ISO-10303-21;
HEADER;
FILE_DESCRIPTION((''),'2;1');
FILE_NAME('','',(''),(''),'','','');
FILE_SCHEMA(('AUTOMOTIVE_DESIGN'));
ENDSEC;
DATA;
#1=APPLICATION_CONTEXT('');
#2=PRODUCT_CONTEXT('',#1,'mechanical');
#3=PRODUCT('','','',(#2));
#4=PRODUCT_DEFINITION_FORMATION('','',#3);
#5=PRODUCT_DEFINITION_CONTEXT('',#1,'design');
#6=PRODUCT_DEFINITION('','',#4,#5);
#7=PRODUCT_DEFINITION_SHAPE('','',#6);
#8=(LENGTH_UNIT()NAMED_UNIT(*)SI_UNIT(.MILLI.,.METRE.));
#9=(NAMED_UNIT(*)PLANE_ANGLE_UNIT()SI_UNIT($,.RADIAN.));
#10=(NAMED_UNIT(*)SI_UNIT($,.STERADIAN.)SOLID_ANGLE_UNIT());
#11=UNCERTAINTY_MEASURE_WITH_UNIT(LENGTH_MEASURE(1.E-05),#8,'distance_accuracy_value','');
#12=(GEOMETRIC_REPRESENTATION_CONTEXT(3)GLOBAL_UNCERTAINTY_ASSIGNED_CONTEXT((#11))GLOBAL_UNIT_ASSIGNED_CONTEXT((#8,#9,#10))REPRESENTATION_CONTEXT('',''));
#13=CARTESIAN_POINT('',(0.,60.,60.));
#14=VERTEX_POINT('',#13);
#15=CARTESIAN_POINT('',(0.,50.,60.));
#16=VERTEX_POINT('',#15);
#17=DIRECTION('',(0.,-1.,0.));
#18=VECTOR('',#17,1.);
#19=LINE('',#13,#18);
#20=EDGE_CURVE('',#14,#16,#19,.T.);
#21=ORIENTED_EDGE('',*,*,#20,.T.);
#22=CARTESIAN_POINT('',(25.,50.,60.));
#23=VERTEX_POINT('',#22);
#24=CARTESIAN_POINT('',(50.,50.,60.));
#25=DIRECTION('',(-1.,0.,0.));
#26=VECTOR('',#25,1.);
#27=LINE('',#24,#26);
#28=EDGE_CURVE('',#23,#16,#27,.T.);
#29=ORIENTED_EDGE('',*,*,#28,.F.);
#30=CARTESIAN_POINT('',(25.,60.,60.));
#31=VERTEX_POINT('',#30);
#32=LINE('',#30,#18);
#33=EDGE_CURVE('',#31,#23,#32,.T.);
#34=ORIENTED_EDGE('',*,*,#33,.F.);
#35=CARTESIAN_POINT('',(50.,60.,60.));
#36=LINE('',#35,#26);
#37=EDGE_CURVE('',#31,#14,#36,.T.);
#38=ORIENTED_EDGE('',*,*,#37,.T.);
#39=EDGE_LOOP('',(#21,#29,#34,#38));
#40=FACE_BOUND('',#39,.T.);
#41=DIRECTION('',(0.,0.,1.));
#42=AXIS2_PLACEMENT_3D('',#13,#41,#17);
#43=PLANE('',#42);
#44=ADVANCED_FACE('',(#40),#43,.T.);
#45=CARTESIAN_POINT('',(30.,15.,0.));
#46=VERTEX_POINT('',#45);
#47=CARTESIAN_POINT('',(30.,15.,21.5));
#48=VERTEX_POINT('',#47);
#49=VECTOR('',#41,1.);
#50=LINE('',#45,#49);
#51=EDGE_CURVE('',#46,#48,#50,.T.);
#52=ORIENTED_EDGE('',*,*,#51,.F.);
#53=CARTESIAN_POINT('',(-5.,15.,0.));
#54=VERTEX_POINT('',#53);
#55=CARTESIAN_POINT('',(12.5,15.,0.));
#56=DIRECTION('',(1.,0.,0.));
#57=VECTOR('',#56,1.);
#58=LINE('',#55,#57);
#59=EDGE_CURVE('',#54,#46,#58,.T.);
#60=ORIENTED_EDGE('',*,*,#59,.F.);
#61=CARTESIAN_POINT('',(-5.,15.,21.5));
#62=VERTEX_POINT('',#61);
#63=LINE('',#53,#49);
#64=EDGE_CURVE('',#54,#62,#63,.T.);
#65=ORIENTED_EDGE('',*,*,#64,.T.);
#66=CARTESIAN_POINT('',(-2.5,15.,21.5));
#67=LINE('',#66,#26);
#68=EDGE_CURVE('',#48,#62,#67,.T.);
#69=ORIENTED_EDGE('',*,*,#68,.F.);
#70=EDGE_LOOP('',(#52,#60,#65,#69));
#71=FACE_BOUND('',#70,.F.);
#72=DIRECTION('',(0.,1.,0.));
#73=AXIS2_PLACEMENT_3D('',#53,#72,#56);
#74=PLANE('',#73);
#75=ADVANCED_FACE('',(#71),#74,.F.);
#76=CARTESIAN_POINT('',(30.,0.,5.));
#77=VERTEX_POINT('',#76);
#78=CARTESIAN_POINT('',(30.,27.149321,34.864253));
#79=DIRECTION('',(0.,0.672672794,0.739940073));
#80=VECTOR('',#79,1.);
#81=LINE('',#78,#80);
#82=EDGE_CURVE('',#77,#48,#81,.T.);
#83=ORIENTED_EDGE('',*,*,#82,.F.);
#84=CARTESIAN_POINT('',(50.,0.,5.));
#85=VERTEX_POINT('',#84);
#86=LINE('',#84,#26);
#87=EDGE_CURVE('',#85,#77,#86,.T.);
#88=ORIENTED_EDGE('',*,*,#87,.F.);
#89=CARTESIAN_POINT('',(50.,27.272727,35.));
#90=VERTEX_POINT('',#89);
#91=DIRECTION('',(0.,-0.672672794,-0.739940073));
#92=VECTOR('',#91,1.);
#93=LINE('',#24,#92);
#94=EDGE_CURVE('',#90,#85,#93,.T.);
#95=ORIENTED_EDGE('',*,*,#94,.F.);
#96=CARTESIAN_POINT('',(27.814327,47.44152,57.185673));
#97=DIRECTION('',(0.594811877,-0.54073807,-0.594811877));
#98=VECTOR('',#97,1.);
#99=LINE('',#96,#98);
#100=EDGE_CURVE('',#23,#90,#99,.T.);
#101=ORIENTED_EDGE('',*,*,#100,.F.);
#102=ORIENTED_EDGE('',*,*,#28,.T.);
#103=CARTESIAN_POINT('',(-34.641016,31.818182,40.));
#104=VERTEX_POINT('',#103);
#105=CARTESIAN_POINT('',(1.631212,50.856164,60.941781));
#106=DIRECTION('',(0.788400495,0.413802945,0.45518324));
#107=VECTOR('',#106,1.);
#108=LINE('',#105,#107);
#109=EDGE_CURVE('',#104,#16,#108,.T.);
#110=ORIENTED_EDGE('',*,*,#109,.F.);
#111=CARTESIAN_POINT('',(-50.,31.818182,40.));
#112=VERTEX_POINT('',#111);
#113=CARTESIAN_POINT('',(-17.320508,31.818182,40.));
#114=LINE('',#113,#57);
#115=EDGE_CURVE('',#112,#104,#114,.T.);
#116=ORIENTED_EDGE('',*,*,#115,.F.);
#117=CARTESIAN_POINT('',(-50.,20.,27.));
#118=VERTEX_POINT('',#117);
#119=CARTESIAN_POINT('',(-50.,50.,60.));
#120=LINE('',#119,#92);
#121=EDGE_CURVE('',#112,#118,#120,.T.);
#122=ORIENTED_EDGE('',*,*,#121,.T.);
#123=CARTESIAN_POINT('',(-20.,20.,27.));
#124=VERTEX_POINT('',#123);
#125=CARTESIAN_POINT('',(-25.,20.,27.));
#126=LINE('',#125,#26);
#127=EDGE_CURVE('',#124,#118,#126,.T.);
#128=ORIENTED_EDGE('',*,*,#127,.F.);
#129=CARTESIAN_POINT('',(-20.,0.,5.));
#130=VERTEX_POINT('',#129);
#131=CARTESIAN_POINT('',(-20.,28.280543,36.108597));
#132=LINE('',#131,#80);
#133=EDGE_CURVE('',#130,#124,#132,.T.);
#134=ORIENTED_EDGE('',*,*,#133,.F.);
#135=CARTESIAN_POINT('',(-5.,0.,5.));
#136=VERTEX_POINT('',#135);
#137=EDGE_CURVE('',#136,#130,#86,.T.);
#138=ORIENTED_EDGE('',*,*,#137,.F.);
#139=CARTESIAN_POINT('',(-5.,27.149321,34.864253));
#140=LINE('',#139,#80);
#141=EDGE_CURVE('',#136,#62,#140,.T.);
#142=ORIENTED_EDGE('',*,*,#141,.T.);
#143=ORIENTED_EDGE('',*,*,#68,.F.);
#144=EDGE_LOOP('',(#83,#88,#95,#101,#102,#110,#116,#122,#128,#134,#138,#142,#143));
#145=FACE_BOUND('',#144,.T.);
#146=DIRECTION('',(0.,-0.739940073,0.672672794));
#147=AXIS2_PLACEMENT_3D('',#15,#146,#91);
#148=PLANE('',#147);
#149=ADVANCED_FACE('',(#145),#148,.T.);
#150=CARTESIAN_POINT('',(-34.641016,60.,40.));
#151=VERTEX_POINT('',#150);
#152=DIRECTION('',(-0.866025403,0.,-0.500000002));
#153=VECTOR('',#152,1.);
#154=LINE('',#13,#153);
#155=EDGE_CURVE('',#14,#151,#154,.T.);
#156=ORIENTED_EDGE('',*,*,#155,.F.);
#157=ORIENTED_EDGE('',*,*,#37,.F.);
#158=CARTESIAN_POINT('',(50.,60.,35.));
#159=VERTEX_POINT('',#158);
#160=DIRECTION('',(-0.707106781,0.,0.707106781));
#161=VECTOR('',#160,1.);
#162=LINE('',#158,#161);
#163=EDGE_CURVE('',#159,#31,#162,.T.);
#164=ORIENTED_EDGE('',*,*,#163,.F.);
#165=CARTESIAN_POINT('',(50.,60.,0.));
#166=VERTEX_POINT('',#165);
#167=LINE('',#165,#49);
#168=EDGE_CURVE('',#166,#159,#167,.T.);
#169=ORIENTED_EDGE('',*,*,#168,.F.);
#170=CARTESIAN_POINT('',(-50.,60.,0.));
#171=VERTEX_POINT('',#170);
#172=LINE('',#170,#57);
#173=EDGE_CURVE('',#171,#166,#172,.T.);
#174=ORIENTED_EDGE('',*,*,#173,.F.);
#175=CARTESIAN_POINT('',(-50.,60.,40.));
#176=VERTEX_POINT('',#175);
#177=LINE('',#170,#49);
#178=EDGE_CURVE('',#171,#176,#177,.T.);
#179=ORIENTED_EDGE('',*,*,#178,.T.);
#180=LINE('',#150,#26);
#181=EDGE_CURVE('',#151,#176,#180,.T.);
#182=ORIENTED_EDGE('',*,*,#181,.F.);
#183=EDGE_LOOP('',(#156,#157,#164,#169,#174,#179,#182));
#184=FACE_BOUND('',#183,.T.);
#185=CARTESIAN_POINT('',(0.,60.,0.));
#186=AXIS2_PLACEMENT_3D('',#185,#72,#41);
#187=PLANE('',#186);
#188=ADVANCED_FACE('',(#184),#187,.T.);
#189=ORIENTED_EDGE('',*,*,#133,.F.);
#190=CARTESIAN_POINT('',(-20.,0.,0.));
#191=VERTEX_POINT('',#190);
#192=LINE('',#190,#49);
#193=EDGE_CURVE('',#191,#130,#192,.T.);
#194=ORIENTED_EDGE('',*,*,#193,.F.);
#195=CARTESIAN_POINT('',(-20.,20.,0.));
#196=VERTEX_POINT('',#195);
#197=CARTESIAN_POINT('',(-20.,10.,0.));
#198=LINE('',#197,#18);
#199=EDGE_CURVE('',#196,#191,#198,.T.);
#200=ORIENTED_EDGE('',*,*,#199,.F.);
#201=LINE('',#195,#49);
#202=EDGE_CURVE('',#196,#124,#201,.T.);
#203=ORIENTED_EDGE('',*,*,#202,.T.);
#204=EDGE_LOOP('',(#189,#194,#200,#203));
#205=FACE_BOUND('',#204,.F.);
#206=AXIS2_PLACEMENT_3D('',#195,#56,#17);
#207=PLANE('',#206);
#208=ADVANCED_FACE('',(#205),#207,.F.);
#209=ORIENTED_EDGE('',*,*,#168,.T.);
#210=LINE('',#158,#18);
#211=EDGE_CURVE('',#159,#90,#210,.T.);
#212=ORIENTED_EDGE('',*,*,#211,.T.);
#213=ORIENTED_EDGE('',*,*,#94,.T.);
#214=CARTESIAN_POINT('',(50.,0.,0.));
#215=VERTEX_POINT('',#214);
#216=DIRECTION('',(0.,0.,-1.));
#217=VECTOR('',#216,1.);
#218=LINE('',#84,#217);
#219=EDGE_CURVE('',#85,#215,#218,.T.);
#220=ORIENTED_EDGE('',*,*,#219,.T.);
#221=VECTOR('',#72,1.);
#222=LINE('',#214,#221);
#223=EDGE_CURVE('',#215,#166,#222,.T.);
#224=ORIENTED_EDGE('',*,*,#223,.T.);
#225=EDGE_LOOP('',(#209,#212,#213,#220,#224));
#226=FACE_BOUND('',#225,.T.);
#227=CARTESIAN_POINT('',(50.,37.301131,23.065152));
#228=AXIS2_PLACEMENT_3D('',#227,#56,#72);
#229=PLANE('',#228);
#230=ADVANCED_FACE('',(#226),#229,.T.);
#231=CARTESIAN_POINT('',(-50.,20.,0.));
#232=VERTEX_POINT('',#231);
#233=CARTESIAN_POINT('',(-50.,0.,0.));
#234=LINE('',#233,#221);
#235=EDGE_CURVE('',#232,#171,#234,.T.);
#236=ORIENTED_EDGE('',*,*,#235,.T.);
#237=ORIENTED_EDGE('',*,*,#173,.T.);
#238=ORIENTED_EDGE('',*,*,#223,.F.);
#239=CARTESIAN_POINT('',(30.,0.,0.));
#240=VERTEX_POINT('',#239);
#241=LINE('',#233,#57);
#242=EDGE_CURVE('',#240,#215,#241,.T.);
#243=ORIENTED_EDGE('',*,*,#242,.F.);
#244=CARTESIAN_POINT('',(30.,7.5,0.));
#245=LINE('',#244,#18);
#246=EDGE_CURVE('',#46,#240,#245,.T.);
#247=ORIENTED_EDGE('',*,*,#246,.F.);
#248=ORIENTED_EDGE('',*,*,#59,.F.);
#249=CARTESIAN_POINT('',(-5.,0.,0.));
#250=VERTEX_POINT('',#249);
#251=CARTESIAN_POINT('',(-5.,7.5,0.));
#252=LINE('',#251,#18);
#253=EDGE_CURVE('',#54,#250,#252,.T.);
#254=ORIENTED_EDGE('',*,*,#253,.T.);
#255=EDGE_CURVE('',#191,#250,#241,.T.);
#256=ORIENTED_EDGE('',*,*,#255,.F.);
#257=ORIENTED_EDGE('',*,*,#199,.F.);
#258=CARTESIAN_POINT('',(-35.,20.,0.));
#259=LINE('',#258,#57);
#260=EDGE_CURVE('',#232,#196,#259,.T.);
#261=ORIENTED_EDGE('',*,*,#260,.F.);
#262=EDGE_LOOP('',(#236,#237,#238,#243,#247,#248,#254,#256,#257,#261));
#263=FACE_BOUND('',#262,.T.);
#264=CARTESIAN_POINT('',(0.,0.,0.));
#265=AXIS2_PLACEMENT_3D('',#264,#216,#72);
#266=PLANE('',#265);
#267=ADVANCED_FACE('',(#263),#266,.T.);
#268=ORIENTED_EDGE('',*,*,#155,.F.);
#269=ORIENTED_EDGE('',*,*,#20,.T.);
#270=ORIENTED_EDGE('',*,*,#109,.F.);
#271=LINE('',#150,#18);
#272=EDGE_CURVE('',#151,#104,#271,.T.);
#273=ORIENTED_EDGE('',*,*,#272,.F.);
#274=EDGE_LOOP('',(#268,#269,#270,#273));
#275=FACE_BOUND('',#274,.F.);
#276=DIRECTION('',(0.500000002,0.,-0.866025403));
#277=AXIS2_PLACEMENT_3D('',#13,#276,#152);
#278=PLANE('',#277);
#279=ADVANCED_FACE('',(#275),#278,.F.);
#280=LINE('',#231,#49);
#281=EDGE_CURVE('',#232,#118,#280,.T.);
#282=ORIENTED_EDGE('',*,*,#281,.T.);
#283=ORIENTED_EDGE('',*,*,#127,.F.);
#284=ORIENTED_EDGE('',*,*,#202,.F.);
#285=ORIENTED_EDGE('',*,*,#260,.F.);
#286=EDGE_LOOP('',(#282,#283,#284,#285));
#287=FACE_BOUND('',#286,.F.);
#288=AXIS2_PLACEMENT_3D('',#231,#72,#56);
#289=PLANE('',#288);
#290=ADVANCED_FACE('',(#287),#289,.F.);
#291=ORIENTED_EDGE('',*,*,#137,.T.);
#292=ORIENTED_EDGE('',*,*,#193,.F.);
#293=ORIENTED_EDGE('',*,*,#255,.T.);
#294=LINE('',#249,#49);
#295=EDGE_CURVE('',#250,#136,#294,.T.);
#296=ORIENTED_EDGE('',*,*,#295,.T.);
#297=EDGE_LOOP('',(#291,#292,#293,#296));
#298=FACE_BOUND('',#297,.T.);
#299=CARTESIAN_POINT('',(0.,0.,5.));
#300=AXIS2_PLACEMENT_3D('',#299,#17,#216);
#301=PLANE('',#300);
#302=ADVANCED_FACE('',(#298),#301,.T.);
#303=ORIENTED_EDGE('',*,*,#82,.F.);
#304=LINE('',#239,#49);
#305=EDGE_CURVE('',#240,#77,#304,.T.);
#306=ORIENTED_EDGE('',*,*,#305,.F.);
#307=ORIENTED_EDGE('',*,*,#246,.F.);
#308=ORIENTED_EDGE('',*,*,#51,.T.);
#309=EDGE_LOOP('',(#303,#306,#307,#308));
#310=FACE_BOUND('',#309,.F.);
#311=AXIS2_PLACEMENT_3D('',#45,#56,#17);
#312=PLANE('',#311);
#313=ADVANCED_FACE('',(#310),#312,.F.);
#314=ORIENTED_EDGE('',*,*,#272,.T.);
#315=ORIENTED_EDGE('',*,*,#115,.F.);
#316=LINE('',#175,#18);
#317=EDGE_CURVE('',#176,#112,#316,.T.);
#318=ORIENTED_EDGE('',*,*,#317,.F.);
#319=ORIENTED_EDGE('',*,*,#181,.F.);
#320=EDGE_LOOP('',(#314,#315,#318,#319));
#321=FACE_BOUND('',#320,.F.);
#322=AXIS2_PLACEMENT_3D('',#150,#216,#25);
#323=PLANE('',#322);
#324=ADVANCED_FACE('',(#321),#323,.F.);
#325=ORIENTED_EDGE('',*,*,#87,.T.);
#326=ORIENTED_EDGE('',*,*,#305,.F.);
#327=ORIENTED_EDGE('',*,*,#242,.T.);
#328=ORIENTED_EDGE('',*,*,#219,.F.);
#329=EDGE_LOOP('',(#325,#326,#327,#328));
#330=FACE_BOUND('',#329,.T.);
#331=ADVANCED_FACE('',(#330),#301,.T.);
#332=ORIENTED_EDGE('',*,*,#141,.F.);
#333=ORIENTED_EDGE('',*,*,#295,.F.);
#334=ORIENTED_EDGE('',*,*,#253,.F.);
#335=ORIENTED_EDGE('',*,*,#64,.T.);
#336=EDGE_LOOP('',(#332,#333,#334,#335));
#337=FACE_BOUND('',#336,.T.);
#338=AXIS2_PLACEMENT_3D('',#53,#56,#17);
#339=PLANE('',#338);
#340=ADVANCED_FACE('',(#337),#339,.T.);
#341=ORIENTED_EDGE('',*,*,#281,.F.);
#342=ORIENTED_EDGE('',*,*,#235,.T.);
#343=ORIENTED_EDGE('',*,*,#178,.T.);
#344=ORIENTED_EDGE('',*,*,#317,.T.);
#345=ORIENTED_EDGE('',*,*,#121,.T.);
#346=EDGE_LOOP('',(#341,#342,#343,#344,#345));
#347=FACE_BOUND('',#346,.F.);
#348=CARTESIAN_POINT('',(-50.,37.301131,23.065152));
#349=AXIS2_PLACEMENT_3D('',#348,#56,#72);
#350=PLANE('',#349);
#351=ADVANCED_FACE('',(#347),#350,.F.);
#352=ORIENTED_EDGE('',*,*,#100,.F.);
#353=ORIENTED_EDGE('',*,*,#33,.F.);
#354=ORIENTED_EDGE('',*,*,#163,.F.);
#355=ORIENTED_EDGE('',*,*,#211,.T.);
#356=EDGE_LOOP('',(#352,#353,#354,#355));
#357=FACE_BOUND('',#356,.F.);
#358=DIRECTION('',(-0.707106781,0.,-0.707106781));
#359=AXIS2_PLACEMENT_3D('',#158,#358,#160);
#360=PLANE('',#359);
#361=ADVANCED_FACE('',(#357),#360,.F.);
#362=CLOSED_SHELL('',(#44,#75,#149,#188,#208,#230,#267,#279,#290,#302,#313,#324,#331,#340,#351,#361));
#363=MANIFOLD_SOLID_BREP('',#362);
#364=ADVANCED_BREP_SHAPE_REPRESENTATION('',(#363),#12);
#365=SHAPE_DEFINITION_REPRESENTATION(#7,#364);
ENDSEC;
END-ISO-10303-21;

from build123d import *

# Parameters (mm, degrees)
F1_DEPTH = 50
F2_W     = 35
F2_H     = 15
F2_W_2   = 30
F2_H_2   = 20
F3_DEPTH = 60.001
F5_DEPTH = 60.001


with BuildPart() as f1:
    # F0 (on Right) → F1 (new body, symmetric)
    with BuildSketch(Plane.YZ):
        Polygon((0, 5), (0, 0), (60, 0), (60, 60), (50, 60), align=None)
    extrude(amount=F1_DEPTH, both=True)

    # F2 (on face) → F3 (cut, through all)
    with BuildSketch(Plane(origin=(0, 0, 0), x_dir=(1, 0, 0), z_dir=(0, 0, -1))):
        with Locations((12.5, -7.5)):
            Rectangle(F2_W, F2_H)
        with Locations((-35, -10)):
            Rectangle(F2_W_2, F2_H_2)
    extrude(amount=-F3_DEPTH, mode=Mode.SUBTRACT)

    # F4 (on face) → F5 (cut, through all)
    with BuildSketch(Plane(origin=(0, 60, 0), x_dir=(-1, 0, 0), z_dir=(0, 1, 0))):
        Polygon((50, 60), (0, 60), (34.641016, 40), (50, 40), align=None)
        Polygon((-25, 60), (-50, 60), (-50, 35), align=None)
    extrude(amount=-F5_DEPTH, mode=Mode.SUBTRACT)


solid = f1.part
